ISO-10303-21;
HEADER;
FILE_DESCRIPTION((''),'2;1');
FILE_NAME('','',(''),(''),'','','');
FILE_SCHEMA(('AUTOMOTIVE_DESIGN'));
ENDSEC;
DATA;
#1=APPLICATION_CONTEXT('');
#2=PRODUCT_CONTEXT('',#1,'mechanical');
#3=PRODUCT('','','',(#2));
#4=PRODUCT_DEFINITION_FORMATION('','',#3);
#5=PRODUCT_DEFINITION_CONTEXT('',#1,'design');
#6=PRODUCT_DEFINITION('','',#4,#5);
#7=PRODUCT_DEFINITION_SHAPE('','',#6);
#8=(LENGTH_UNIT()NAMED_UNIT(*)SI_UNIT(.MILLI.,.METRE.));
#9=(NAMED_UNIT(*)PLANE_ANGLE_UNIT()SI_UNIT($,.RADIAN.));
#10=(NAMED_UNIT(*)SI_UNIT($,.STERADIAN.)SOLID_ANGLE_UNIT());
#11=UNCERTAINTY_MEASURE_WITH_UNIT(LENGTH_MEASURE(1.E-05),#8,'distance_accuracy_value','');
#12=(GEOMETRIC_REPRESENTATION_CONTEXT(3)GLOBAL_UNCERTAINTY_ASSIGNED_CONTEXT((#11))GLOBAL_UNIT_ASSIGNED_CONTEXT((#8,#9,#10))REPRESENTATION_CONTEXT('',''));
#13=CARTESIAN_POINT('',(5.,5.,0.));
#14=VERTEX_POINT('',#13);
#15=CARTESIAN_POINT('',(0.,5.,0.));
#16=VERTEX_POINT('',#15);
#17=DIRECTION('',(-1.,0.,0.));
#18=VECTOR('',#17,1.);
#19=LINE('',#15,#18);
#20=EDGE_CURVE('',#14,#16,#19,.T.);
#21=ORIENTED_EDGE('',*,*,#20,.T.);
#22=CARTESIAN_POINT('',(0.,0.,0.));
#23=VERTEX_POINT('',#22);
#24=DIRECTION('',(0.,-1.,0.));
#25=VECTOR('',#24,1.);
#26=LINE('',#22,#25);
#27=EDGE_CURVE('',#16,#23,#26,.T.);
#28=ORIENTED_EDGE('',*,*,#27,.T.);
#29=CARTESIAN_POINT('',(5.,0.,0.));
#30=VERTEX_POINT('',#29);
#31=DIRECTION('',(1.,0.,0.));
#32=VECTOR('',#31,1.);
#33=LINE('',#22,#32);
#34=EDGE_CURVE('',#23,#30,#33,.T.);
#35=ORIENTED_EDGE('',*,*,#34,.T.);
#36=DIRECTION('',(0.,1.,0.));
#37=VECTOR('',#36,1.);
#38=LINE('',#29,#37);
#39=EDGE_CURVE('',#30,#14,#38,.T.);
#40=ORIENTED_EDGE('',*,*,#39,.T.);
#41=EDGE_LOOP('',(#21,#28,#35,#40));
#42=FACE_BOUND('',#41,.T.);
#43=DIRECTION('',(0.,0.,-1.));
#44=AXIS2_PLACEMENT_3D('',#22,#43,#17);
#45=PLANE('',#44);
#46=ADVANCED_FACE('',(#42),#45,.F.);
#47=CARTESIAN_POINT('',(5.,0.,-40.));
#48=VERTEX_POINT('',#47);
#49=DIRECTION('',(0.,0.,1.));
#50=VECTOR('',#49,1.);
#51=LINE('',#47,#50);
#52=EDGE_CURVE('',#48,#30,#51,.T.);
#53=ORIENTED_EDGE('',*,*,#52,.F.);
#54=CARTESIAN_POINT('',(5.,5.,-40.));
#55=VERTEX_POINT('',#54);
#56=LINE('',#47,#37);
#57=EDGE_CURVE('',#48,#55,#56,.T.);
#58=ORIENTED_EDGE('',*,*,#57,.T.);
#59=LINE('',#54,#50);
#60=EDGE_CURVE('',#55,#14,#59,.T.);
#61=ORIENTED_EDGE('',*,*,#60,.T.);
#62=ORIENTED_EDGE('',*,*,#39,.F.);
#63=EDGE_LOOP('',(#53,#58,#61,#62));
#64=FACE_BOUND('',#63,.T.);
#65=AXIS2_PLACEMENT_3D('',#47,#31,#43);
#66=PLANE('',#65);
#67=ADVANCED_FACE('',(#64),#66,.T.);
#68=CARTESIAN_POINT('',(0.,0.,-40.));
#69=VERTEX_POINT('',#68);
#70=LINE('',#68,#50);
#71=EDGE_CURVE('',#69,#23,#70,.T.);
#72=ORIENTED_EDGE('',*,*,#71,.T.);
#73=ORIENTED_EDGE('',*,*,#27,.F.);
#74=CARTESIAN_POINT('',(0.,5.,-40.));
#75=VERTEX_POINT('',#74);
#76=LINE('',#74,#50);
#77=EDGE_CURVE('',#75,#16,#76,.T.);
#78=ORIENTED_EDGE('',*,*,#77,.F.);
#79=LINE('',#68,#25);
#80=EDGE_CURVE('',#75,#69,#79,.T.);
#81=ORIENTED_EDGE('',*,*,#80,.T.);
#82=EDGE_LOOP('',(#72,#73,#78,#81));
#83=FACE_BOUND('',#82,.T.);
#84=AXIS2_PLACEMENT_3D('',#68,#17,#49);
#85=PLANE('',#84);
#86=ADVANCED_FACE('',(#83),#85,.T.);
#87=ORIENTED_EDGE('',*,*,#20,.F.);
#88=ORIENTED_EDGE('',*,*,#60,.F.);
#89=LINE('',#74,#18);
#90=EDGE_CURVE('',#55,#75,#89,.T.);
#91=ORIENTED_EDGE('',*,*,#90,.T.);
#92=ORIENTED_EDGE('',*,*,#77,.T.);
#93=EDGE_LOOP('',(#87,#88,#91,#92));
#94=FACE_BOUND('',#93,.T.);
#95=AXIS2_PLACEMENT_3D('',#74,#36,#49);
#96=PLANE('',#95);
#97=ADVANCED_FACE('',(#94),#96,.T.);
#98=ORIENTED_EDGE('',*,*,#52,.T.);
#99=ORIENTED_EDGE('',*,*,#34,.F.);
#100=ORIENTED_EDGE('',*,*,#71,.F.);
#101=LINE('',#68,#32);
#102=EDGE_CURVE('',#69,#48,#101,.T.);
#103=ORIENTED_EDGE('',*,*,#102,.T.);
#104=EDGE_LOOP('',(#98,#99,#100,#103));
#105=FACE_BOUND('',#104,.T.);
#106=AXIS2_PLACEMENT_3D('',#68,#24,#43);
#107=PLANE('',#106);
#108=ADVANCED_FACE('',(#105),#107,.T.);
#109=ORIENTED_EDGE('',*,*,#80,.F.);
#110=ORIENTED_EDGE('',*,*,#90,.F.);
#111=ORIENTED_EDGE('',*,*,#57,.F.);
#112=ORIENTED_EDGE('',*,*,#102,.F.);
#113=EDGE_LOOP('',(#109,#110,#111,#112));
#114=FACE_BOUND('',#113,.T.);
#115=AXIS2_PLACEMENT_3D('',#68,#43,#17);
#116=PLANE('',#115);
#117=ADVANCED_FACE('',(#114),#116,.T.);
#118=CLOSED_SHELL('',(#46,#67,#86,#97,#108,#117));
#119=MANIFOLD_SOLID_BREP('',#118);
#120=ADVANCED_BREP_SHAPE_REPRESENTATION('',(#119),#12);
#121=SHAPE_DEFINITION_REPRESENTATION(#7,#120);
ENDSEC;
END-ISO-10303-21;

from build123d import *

# Parameters (mm, degrees)
SKETCH2_W           = 5
SKETCH2_H           = 5
BOSS_EXTRUDE1_DEPTH = 40


with BuildPart() as part:
    # Sketch2 → Boss-Extrude1 (new body)
    with BuildSketch(Plane.XY):
        with Locations((2.5, 2.5)):
            Rectangle(SKETCH2_W, SKETCH2_H)
    extrude(amount=-BOSS_EXTRUDE1_DEPTH)


solid = part.part
